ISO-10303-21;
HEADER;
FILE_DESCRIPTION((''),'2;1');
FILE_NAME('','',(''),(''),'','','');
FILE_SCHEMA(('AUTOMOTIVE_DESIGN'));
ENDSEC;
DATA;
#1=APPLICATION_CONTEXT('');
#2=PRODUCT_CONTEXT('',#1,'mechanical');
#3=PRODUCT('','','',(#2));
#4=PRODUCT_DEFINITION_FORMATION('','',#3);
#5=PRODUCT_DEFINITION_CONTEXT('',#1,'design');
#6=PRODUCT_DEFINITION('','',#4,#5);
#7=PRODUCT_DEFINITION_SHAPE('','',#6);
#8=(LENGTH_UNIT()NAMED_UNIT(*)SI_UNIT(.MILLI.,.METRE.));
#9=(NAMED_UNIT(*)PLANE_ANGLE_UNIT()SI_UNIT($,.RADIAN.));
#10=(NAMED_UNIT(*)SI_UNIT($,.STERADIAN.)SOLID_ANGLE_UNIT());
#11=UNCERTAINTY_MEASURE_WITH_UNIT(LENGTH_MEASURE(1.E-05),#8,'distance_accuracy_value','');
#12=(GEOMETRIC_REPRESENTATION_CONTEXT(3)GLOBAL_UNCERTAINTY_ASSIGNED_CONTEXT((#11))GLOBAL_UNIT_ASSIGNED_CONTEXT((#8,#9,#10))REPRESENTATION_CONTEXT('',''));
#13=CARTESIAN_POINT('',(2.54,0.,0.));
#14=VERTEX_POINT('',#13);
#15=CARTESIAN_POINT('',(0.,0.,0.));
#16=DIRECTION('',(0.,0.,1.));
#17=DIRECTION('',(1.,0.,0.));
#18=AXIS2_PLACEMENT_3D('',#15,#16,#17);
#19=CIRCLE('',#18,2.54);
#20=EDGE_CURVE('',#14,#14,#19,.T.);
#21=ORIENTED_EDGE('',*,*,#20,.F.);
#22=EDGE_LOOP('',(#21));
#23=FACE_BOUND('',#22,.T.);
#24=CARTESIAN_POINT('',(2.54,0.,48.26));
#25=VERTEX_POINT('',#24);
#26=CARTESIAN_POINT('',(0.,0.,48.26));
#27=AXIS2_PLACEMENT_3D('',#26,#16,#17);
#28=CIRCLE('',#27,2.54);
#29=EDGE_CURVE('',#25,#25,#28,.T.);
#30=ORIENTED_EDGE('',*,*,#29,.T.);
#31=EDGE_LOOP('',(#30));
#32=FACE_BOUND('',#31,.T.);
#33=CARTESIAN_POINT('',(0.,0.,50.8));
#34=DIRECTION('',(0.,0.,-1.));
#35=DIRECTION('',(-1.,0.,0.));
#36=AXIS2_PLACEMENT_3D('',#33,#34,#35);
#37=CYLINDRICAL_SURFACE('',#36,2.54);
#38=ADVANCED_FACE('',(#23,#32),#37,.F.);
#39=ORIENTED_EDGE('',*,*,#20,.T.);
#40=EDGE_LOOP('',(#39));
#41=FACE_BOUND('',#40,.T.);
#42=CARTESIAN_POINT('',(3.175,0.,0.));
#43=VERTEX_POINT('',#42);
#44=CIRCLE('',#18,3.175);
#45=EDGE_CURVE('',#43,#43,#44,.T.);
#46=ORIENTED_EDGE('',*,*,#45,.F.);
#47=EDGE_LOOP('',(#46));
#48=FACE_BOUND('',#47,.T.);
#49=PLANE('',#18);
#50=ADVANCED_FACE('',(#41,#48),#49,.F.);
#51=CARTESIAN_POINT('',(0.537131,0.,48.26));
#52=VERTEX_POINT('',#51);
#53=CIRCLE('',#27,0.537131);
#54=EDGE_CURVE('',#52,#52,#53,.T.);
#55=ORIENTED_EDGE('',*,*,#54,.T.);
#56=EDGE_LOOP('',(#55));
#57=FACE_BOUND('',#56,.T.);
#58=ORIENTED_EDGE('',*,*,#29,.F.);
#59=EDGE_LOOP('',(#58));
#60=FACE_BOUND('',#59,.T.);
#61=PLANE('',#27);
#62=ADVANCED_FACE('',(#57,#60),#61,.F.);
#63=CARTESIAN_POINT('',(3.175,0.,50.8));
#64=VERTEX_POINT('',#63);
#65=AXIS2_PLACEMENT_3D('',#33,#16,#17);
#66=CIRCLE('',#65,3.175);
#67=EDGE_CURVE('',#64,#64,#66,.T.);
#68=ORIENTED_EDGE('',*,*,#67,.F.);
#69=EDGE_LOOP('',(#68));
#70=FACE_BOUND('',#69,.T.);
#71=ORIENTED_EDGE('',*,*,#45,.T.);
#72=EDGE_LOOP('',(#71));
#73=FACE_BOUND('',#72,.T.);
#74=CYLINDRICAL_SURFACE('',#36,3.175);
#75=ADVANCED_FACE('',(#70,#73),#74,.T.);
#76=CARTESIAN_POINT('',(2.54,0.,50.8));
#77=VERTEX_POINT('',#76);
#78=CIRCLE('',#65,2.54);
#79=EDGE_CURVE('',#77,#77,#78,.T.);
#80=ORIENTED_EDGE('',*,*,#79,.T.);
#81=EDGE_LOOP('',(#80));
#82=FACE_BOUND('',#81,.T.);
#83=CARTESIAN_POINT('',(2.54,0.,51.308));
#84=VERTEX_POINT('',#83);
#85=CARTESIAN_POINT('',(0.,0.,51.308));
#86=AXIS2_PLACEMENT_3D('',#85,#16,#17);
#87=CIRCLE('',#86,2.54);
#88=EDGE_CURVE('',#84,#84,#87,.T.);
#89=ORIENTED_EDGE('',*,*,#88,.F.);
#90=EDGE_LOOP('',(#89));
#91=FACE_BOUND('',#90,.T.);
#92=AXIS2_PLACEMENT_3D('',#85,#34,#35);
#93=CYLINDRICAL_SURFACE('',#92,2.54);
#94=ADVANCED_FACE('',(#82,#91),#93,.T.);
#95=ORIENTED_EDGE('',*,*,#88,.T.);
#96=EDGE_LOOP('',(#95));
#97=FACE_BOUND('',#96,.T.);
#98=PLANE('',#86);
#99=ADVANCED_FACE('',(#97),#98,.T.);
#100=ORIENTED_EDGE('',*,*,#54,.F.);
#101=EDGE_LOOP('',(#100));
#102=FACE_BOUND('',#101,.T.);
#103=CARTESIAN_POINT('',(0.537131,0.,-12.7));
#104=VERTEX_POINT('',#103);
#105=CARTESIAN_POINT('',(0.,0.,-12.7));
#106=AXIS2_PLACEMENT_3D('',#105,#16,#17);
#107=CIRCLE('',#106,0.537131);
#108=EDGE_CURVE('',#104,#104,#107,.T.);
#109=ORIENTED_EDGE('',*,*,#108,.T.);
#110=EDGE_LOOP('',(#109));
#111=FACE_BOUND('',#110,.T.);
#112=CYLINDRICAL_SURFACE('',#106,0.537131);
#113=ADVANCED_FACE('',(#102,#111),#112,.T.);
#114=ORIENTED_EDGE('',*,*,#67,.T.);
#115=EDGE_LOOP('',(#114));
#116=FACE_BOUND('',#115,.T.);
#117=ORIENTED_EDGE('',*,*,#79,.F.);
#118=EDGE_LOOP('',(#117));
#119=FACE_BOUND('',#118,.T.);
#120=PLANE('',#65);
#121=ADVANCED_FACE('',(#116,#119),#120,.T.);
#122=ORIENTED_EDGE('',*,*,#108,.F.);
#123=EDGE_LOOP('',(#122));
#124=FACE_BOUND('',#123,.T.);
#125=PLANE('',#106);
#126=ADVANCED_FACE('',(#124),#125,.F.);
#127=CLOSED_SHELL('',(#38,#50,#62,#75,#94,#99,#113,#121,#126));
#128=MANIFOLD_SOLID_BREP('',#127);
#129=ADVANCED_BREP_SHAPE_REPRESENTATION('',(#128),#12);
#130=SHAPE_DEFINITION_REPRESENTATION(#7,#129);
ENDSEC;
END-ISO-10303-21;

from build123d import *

# Parameters (mm, degrees)
SKETCH1_R                = 3.175
SKETCH1_R_2              = 2.54
BOSS_EXTRUDE1_DEPTH      = 50.8
BOSS_EXTRUDE2_DEPTH      = 0.508
BOSS_EXTRUDE2_DEPTH_BACK = 2.54
SKETCH2_R                = 2.54
BOSS_EXTRUDE3_START      = -48.26
SKETCH3_R                = 0.537131422
BOSS_EXTRUDE3_DEPTH      = 60.96


with BuildPart() as part:
    # Sketch1 → Boss-Extrude1 (new body)
    with BuildSketch(Plane.XY):
        Circle(SKETCH1_R)
        Circle(SKETCH1_R_2, mode=Mode.SUBTRACT)
    extrude(amount=BOSS_EXTRUDE1_DEPTH)

    # Sketch2 → Boss-Extrude2 (add, two sides: drawn at the far end of the back side and taken through both)
    with BuildSketch(Plane.XY.offset(50.8).offset(-BOSS_EXTRUDE2_DEPTH_BACK)):
        Circle(SKETCH2_R)
    extrude(amount=BOSS_EXTRUDE2_DEPTH + BOSS_EXTRUDE2_DEPTH_BACK)

    # Sketch3 → Boss-Extrude3 (add)
    with BuildSketch(Plane(origin=(0, 0, 0), x_dir=(-1, 0, 0), z_dir=(0, 0, -1)).offset(BOSS_EXTRUDE3_START)):
        with Locations(Location((0, 0, 0), (0, 0, 180))):
            Circle(SKETCH3_R)
    extrude(amount=BOSS_EXTRUDE3_DEPTH)


solid = part.part
